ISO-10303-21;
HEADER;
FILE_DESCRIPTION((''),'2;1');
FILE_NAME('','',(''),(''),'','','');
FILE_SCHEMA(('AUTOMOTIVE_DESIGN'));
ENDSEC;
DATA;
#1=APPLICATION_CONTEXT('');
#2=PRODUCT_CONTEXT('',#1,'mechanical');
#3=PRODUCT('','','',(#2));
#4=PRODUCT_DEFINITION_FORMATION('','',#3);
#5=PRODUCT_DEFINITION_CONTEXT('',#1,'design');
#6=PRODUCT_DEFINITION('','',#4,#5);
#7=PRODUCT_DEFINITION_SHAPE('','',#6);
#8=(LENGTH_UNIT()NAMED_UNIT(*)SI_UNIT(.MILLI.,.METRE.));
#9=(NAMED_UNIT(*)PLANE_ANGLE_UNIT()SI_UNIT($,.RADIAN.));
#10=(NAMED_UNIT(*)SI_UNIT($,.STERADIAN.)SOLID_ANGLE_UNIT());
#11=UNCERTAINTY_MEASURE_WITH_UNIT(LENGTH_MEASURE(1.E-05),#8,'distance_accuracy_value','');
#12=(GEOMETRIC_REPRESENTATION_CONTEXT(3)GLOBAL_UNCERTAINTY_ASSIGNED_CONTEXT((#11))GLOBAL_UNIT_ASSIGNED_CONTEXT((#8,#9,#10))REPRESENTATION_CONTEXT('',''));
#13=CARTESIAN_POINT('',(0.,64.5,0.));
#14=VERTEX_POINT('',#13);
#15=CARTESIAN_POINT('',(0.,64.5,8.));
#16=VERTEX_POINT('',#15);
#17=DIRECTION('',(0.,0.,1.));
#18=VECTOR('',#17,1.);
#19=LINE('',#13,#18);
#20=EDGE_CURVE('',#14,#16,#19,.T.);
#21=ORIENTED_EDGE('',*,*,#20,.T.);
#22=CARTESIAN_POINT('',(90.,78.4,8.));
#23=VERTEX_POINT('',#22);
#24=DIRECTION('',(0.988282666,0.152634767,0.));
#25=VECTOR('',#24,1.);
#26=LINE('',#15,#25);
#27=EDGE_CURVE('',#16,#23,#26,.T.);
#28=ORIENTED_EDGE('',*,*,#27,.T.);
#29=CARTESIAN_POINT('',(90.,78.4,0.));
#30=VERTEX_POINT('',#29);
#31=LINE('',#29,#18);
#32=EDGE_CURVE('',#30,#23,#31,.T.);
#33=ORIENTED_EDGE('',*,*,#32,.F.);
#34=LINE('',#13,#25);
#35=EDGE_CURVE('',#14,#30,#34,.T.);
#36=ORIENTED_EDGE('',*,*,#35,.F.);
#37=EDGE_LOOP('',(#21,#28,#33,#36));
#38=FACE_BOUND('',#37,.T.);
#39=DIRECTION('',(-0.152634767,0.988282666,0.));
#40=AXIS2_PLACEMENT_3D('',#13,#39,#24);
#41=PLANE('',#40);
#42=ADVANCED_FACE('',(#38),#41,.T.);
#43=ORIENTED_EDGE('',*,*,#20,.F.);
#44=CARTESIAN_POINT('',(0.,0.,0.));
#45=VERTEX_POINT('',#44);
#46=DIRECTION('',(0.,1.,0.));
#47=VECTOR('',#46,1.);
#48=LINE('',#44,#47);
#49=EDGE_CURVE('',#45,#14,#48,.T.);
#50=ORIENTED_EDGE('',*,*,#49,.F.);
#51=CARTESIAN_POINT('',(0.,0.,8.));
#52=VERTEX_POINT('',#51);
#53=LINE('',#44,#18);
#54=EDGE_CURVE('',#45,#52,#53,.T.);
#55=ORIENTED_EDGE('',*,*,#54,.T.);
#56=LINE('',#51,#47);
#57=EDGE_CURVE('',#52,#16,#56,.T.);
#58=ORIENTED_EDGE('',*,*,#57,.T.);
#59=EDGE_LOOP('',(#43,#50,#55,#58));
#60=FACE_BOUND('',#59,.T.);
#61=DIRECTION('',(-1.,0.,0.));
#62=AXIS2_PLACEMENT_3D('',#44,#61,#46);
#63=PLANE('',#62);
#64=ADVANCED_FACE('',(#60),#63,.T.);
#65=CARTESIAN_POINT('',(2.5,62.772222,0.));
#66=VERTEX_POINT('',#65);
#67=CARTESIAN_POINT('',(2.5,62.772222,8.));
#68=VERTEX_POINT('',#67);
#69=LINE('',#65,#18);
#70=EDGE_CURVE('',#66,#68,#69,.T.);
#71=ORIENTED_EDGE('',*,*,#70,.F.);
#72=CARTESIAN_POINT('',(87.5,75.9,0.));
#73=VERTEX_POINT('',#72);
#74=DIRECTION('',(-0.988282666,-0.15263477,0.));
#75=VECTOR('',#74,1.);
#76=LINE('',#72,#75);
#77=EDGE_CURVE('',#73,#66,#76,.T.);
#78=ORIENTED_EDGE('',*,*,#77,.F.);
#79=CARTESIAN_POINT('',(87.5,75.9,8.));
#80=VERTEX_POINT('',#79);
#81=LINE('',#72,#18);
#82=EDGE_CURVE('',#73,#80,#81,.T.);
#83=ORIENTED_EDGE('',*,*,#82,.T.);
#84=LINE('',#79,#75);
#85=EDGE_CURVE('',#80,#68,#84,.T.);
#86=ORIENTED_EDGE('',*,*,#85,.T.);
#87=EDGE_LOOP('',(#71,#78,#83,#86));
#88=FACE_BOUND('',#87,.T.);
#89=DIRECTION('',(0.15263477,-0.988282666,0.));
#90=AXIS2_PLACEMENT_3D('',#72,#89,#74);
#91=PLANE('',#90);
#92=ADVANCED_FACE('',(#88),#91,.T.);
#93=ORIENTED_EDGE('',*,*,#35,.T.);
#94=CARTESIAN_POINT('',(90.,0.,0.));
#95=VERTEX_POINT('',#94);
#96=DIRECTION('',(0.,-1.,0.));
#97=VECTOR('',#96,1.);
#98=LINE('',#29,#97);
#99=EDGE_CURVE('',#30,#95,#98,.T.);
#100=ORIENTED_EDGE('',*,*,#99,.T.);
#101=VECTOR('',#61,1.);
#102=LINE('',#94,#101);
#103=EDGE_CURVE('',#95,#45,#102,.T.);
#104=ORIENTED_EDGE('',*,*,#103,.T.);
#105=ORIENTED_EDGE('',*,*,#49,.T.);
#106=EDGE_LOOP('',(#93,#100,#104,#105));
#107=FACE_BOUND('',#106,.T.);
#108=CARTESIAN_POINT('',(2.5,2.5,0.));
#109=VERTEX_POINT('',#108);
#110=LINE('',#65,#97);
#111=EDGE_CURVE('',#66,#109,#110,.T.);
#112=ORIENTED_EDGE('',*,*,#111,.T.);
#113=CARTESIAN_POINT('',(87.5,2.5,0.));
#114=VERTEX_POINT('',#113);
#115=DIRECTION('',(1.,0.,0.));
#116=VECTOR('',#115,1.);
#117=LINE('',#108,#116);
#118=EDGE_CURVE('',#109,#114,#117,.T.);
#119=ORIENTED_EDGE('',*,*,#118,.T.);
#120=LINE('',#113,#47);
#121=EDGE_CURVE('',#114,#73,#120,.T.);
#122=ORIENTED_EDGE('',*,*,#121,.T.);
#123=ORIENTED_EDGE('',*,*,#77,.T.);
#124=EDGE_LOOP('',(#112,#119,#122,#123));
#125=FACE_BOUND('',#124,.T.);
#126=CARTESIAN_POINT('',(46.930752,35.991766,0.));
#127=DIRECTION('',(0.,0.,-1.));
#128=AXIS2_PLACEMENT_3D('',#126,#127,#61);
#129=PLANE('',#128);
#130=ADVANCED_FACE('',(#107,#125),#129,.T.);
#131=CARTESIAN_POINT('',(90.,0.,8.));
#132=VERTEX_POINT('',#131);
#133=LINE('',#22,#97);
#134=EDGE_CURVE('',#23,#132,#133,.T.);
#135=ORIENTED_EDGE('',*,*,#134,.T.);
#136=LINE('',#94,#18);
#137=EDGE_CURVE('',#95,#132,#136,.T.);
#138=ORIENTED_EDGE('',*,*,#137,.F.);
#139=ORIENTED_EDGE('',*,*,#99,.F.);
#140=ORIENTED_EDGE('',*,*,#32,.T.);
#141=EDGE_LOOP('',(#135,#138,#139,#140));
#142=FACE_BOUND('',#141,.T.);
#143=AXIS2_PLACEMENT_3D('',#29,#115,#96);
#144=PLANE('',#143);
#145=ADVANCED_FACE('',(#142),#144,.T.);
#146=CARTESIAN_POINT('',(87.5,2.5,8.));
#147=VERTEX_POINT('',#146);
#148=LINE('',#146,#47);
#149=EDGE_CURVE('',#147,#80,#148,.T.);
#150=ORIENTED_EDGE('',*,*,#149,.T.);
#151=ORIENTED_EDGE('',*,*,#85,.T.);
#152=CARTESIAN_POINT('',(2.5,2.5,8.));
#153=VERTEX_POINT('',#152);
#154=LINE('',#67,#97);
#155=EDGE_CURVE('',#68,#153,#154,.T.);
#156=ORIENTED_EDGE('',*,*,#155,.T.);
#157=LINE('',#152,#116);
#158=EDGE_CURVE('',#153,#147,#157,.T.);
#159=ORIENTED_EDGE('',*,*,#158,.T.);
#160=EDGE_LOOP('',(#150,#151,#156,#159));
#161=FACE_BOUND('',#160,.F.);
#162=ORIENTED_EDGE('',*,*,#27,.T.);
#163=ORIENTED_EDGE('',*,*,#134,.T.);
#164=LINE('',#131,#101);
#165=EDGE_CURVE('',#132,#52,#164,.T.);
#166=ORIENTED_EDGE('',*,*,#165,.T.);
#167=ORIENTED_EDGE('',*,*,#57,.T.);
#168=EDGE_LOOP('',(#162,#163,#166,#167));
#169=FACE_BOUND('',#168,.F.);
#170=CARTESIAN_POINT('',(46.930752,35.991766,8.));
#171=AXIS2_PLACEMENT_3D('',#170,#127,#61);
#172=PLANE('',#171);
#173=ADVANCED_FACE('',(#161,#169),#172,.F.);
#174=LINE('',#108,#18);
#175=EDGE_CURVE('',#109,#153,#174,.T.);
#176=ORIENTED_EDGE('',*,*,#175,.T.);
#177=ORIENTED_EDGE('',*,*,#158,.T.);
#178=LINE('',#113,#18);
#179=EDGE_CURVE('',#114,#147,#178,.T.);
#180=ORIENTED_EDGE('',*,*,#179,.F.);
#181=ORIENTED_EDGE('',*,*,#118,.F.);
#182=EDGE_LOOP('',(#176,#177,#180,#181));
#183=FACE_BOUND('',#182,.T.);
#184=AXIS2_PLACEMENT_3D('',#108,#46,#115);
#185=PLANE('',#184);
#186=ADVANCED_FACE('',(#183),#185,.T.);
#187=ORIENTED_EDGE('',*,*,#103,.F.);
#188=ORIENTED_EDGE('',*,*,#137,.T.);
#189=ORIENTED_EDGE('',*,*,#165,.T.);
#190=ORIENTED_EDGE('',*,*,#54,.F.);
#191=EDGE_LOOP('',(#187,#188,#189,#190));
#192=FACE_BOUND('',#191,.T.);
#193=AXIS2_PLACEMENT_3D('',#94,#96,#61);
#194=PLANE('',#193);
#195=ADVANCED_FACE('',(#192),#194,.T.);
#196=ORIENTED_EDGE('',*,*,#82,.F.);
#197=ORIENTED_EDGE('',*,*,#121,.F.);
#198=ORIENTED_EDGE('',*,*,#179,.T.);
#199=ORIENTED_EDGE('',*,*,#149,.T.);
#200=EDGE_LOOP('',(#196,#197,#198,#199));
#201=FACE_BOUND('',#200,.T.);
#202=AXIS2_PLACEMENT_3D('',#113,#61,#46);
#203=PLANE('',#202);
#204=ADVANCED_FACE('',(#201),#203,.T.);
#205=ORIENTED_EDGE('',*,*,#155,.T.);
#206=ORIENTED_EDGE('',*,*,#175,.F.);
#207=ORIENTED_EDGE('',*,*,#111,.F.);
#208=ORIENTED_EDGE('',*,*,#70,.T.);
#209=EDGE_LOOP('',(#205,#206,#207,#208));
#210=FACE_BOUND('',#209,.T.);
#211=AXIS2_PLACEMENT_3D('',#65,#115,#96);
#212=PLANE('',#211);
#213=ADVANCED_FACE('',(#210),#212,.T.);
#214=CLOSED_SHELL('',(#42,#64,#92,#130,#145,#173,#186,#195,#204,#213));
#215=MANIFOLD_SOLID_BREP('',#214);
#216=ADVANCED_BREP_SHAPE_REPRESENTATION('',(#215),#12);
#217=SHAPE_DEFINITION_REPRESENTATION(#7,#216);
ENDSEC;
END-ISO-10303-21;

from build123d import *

# Parameters (mm, degrees)
PAD_DEPTH = 8


with BuildPart() as part:
    # Sketch → Pad (new body)
    with BuildSketch(Plane.XY):
        Polygon((0, 0), (0, 64.5), (90, 78.4), (90, 0), align=None)
        Polygon((2.5, 2.5), (87.5, 2.5), (87.5, 75.9), (2.5, 62.772222), align=None, mode=Mode.SUBTRACT)
    extrude(amount=PAD_DEPTH)


solid = part.part
